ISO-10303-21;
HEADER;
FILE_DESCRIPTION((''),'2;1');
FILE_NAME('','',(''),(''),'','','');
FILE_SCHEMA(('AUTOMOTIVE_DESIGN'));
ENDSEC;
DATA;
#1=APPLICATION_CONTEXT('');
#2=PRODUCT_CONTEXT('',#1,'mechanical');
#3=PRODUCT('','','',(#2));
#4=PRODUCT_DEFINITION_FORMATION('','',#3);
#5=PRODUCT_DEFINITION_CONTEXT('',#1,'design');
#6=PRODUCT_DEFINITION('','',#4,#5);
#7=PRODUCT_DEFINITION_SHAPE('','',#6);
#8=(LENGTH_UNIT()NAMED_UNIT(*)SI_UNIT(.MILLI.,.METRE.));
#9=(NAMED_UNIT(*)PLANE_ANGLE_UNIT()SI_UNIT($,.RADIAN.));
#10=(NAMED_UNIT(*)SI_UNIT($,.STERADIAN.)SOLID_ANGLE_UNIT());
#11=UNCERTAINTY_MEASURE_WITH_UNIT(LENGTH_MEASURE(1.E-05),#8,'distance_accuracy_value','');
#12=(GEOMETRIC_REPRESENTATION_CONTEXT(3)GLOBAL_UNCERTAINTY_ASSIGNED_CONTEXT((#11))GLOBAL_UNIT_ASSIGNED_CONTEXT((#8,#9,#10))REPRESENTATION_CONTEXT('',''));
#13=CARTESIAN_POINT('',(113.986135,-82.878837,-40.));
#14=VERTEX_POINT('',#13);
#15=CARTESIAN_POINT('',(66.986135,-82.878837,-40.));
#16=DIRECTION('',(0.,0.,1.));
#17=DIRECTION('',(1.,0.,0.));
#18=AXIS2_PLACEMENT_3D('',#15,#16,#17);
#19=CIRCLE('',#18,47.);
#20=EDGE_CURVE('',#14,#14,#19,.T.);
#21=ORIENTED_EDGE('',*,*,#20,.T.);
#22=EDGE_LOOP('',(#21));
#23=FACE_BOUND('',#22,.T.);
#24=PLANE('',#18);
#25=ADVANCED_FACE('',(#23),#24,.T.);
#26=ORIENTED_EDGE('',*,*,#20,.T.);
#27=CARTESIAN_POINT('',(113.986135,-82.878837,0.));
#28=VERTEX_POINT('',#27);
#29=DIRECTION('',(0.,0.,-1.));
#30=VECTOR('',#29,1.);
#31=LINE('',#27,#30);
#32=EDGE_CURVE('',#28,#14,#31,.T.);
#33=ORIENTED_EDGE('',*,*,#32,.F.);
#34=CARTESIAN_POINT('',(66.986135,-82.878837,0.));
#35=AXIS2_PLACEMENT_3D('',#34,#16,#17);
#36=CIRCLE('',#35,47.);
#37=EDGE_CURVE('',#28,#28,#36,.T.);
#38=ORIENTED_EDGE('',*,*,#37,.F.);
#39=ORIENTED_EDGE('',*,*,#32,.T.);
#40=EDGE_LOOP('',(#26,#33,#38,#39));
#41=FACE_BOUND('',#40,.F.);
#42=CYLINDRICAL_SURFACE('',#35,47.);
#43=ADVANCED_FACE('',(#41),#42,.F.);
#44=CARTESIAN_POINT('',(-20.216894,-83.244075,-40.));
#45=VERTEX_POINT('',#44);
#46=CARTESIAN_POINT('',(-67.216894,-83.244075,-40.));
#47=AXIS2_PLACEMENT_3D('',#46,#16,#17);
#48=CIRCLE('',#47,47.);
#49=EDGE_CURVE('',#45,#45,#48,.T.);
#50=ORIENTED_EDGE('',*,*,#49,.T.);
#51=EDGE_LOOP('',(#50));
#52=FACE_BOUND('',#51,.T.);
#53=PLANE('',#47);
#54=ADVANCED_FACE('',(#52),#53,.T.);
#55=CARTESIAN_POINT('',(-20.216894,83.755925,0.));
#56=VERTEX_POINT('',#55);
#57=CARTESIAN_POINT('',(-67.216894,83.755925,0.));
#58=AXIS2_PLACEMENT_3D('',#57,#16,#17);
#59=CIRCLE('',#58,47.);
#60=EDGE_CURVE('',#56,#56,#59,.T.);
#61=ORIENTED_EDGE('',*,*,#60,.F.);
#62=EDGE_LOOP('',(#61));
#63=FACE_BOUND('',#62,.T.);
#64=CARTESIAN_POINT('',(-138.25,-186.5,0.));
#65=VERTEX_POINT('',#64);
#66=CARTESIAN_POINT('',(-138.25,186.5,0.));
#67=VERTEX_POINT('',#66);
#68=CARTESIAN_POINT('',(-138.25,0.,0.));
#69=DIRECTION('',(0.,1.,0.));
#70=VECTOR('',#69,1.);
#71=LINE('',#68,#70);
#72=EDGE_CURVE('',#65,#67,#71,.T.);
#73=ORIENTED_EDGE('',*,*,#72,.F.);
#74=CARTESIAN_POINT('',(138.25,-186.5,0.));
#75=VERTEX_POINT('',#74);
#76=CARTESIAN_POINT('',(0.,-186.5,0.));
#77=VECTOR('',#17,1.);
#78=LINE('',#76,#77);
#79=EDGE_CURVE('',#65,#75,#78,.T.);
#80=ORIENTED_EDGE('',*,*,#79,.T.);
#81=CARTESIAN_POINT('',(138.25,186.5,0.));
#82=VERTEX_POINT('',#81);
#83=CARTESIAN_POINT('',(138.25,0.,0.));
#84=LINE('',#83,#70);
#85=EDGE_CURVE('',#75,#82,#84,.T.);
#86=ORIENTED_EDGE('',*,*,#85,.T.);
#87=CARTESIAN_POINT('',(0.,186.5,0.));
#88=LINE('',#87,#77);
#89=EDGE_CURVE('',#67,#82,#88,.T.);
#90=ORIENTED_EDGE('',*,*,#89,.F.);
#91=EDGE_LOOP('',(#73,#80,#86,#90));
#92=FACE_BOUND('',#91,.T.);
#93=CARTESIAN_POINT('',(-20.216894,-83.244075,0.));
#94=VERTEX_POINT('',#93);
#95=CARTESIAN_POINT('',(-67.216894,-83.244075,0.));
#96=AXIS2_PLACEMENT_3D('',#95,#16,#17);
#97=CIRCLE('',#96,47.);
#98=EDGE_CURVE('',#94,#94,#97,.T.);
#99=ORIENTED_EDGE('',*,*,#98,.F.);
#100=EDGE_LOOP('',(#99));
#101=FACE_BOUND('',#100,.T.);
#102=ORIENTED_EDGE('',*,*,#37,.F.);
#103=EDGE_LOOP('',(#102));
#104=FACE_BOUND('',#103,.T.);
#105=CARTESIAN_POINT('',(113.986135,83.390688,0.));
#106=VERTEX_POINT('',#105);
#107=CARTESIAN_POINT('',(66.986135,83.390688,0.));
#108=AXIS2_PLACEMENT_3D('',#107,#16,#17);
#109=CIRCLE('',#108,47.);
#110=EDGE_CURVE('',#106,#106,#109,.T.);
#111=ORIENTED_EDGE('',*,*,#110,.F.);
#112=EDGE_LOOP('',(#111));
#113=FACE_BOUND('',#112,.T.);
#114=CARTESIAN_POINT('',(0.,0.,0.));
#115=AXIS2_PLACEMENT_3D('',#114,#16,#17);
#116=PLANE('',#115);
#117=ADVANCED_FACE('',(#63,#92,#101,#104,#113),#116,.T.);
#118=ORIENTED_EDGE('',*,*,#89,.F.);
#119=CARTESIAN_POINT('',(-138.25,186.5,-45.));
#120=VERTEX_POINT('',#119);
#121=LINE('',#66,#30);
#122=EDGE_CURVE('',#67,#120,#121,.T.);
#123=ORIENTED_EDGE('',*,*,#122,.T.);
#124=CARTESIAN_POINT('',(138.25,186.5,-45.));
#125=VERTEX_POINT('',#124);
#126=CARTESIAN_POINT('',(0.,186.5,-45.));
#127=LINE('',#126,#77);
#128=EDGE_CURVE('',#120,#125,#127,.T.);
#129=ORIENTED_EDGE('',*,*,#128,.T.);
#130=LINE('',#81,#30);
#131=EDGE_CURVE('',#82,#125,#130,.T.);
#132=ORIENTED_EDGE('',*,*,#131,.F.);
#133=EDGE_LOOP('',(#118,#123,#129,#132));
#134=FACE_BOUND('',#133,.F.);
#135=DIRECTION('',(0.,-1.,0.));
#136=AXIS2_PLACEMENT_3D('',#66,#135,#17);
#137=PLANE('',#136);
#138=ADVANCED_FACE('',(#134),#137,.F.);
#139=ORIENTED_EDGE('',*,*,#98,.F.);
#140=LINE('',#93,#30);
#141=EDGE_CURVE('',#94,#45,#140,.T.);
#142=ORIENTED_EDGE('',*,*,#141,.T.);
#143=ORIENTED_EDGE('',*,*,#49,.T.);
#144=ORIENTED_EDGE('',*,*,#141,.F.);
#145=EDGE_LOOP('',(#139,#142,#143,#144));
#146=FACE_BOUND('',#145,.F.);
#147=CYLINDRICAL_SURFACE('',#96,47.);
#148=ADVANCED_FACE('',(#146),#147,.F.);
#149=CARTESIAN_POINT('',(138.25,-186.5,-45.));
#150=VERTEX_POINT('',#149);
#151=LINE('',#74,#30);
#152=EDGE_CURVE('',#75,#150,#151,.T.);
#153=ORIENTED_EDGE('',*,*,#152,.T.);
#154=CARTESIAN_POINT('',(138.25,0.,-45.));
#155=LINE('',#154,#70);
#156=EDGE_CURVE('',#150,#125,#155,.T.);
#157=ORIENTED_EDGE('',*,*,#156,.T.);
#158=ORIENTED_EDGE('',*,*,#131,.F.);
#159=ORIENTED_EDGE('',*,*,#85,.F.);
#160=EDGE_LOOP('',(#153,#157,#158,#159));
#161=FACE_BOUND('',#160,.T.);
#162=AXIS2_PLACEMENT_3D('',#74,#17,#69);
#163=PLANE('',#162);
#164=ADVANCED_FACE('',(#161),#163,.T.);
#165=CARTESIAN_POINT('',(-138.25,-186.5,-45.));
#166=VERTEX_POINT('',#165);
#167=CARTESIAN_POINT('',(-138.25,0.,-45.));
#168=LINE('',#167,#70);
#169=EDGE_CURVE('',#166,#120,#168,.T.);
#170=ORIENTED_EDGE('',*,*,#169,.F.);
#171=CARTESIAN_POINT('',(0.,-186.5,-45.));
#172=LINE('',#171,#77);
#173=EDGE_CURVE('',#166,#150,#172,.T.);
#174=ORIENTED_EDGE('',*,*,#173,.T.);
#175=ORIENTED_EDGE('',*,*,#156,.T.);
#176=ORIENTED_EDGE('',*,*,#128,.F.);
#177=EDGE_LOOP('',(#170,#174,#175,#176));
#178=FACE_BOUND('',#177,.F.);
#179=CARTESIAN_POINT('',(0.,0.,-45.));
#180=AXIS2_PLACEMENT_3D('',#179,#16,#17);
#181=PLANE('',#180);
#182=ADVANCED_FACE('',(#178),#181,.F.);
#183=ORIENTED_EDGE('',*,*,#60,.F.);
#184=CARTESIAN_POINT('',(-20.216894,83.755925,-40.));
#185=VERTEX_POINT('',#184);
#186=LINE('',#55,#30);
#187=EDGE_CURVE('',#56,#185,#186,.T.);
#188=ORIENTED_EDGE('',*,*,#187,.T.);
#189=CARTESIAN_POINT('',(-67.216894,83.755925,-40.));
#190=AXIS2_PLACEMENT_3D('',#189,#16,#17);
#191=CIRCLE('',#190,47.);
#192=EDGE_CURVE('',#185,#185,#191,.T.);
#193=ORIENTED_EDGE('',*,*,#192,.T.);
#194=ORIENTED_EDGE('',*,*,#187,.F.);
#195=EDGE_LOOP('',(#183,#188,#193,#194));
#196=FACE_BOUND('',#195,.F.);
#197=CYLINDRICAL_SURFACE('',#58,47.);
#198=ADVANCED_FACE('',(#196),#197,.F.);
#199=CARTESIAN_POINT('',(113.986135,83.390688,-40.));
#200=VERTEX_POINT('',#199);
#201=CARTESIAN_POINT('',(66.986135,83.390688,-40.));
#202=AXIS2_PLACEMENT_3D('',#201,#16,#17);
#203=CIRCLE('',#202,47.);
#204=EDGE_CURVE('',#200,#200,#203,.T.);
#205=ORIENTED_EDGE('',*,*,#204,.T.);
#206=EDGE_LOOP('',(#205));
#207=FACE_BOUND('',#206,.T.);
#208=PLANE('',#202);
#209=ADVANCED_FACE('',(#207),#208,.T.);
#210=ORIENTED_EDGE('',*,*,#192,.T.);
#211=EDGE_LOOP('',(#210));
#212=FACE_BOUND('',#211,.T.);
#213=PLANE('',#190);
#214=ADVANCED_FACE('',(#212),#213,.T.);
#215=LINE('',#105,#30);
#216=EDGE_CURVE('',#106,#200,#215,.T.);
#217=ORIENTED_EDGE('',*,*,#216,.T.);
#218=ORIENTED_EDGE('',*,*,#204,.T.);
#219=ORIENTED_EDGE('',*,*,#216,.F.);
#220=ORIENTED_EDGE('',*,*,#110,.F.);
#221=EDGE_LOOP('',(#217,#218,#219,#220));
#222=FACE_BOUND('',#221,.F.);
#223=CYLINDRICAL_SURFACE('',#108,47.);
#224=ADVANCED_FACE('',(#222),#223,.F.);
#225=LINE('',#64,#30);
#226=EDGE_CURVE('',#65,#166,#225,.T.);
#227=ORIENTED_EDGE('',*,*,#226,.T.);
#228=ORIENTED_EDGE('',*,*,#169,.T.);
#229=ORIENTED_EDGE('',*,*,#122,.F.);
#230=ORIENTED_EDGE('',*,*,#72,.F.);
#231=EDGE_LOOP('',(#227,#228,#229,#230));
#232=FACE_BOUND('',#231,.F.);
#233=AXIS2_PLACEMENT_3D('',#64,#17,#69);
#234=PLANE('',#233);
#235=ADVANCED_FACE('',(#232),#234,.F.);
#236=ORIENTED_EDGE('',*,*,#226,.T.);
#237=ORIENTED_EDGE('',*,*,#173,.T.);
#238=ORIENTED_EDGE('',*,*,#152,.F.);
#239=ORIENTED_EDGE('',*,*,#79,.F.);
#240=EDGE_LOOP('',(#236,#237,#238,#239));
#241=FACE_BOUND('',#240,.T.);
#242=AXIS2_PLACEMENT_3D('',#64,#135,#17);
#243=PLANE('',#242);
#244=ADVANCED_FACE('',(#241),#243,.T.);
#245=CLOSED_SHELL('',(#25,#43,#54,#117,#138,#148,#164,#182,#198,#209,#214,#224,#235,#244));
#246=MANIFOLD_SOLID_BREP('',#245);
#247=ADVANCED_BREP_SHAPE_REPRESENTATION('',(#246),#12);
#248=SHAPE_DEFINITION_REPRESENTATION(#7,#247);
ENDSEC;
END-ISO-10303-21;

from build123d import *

# Parameters (mm, degrees)
F0_W     = 276.5
F0_H     = 373
F2_DEPTH = 45
F1_R     = 47
F3_DEPTH = 40


with BuildPart() as f2:
    # F0 (on Top) → F2 (new body)
    with BuildSketch(Plane.XY):
        Rectangle(F0_W, F0_H)
    extrude(amount=-F2_DEPTH)

    # F1 (on face) → F3 (cut)
    with BuildSketch(Plane.XY):
        with Locations((-67.216894, 83.755925)):
            Circle(F1_R)
        with Locations((66.986135, 83.390688)):
            Circle(F1_R)
        with Locations((-67.216894, -83.244075)):
            Circle(F1_R)
        with Locations((66.986135, -82.878837)):
            Circle(F1_R)
    extrude(amount=-F3_DEPTH, mode=Mode.SUBTRACT)


solid = f2.part
